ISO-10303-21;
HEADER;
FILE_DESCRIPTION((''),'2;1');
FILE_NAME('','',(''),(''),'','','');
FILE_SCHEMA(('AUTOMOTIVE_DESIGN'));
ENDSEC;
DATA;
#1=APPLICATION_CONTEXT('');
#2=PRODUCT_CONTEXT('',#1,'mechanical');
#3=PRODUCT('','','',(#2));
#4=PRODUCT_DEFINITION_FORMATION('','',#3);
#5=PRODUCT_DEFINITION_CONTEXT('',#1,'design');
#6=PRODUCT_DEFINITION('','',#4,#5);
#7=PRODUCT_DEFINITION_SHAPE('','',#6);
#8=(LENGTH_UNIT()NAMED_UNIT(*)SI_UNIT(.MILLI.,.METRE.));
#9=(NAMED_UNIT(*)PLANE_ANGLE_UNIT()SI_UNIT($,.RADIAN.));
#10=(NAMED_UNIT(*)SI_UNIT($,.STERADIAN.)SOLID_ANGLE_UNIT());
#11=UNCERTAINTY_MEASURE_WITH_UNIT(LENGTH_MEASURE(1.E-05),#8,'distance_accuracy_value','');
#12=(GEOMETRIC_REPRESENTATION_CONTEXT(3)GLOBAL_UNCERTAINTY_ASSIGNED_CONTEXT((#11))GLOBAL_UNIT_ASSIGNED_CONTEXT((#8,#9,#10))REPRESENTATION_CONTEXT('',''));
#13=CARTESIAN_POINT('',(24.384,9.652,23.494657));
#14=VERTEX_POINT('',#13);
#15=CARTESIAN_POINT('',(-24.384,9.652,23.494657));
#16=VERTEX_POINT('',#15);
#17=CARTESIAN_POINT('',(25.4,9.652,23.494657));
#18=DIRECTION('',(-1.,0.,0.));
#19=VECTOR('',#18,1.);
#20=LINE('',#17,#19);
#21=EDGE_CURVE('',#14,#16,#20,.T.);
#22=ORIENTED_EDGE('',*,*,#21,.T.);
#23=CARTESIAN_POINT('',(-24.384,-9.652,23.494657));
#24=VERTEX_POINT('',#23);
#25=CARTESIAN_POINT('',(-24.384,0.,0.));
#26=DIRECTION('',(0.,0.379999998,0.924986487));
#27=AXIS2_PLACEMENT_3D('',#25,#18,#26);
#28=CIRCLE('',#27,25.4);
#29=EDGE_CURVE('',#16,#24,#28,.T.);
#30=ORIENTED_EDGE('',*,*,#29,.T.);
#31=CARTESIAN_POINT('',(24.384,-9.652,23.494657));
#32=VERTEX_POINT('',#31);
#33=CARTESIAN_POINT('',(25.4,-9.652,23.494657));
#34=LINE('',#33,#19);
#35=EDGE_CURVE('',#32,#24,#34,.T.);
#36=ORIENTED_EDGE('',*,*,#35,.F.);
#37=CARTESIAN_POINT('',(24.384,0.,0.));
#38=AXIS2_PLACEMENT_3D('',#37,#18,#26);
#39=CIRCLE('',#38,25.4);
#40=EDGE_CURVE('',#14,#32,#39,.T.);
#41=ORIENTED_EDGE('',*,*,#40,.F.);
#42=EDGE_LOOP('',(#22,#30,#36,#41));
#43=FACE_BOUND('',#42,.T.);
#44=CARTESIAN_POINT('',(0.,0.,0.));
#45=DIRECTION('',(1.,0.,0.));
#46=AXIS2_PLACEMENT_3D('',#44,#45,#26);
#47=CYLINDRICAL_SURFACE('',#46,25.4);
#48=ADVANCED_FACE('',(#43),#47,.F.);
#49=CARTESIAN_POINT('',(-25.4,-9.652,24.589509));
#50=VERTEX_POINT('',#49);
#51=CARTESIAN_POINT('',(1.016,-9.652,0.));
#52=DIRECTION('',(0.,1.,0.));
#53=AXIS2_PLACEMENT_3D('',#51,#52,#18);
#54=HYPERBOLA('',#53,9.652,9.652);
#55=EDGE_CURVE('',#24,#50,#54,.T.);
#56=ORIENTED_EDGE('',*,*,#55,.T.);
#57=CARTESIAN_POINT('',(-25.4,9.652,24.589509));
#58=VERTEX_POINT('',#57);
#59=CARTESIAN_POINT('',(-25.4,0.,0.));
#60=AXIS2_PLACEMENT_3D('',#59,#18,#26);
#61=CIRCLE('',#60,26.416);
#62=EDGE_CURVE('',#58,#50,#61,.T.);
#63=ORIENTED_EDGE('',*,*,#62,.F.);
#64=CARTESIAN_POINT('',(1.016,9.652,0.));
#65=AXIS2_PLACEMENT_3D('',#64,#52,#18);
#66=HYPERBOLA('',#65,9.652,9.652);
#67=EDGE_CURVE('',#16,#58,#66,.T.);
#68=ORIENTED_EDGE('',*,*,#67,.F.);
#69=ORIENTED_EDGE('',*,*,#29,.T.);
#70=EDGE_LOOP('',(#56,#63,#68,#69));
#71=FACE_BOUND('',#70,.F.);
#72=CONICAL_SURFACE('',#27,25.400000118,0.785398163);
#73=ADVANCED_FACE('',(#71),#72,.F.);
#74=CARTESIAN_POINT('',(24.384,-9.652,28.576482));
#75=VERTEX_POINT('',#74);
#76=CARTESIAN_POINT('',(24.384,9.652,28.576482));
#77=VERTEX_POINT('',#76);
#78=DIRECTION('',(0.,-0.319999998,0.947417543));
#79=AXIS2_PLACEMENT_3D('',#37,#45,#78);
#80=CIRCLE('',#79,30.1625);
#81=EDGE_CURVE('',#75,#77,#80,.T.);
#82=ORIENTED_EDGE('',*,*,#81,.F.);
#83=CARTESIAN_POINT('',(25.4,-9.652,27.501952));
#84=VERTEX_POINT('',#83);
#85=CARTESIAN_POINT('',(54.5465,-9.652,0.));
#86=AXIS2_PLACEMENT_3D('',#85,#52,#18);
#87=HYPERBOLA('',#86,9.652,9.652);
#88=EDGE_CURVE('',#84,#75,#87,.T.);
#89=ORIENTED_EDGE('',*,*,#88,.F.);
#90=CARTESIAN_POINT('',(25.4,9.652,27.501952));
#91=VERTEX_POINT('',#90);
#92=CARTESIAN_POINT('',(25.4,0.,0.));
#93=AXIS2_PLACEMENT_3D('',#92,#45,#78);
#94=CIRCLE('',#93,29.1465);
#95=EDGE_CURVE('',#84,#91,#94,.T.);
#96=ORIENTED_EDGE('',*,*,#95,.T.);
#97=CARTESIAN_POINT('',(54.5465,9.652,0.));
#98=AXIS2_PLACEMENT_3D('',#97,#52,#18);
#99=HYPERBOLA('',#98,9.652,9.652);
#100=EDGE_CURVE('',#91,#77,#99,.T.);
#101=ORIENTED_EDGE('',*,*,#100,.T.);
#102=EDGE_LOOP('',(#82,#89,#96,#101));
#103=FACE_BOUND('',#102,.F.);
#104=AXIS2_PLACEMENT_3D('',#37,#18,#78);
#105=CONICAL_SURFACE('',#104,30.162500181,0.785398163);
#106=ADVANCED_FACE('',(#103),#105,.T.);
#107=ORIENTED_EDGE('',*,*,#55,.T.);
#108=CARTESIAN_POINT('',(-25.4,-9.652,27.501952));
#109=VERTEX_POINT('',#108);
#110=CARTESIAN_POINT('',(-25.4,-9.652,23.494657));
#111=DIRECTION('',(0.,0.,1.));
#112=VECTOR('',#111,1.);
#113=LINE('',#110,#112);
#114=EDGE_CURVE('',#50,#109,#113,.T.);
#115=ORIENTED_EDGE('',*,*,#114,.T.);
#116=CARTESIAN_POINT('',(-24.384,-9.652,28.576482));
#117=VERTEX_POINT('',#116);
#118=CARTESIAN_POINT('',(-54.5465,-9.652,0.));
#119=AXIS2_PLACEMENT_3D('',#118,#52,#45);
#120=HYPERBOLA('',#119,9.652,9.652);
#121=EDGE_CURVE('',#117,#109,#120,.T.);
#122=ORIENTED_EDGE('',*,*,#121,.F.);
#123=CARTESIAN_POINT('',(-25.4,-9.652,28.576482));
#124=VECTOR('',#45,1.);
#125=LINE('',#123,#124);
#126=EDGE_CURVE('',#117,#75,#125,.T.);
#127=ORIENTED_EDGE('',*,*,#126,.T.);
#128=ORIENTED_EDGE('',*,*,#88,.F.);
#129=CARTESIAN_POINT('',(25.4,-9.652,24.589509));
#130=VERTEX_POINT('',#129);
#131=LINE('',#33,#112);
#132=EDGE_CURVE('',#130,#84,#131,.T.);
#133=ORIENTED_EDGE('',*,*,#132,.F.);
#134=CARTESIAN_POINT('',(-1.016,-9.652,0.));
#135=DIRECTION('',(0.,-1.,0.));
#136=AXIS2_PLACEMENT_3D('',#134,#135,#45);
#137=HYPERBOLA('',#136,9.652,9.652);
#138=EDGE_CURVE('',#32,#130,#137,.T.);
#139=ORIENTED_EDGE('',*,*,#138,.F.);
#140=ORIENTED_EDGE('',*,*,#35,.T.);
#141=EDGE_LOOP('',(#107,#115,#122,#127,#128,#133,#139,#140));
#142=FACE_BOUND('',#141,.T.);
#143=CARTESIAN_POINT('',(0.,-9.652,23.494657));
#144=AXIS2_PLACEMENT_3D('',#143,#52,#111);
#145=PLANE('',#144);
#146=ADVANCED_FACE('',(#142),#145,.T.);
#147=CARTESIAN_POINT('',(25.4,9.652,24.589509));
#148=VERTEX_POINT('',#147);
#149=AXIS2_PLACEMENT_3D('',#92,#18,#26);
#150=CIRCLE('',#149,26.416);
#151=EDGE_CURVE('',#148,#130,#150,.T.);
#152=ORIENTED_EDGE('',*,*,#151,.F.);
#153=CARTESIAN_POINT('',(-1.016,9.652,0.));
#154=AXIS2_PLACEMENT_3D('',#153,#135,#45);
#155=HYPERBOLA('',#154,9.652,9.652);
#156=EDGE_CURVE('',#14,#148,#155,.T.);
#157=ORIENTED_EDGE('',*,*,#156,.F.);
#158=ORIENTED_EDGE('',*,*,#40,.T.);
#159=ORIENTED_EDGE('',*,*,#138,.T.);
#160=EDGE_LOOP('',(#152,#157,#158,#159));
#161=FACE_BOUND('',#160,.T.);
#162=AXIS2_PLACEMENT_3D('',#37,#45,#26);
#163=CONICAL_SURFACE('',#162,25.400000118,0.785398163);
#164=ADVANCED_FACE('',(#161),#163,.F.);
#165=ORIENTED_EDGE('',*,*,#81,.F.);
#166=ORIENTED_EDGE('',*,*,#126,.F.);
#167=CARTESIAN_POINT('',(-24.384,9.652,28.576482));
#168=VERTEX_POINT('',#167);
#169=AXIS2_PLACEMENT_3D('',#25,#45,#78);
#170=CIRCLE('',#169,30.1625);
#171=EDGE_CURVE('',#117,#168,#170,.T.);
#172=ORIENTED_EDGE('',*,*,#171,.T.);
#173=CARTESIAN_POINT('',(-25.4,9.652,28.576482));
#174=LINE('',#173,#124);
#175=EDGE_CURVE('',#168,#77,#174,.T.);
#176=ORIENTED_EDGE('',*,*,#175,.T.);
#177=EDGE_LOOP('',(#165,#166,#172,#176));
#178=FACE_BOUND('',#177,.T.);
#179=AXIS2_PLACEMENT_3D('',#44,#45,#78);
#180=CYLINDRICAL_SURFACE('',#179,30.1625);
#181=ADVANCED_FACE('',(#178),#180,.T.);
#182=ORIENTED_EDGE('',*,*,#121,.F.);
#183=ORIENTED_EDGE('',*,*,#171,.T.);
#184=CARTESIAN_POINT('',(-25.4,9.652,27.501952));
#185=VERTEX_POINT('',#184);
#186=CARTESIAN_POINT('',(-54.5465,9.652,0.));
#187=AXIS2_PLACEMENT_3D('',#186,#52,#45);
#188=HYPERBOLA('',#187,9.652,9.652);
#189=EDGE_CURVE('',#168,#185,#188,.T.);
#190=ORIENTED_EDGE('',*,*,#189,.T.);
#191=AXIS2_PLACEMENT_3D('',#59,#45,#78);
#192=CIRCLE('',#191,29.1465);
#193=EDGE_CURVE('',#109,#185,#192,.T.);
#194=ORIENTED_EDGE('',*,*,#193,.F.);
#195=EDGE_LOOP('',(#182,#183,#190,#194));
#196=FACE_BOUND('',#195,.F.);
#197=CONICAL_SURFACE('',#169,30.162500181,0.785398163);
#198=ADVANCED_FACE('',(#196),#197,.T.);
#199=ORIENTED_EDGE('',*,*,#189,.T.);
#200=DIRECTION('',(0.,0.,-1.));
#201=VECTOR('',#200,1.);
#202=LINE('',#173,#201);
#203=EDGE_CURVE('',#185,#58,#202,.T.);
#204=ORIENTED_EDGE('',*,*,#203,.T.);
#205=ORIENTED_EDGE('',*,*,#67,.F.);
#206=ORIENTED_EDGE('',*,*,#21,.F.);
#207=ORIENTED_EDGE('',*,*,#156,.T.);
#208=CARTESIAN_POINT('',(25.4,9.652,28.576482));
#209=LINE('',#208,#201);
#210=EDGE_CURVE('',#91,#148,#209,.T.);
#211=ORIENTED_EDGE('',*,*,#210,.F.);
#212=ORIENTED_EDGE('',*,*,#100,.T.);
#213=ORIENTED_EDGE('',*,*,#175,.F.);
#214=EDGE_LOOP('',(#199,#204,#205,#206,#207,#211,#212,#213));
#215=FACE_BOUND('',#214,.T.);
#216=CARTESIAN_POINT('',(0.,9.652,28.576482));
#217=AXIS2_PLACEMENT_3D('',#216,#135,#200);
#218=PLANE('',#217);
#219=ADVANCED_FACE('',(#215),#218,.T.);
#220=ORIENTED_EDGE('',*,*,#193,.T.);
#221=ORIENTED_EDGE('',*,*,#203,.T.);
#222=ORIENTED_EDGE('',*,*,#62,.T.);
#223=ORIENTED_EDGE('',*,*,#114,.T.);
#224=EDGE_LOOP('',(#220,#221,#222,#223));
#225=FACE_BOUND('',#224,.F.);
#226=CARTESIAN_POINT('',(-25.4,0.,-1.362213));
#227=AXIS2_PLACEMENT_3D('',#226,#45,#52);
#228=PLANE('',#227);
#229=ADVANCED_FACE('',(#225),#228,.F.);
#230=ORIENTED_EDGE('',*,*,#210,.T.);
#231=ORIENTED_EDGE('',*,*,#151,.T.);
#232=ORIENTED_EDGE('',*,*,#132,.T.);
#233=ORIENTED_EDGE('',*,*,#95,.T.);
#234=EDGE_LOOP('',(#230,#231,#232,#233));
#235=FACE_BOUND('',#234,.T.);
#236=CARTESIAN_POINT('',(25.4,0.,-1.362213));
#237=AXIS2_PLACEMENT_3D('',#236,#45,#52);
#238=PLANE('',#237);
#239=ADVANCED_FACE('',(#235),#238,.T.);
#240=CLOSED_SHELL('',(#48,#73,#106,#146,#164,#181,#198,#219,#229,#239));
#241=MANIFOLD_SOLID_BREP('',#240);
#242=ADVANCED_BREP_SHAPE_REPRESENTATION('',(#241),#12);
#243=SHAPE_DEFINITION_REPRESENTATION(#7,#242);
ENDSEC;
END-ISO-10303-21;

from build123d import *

# Parameters (mm, degrees)
F1_DEPTH = 25.4
F2_SIZE  = 1.016


with BuildPart() as f1:
    # F0 (on Right) → F1 (new body, symmetric)
    with BuildSketch(Plane.YZ):
        with BuildLine():
            Line((-9.652, 23.494657), (-9.652, 28.576482))
            ThreePointArc((-9.652, 28.576482), (0, -30.1625), (9.652, 28.576482))
            Line((9.652, 28.576482), (9.652, 23.494657))
            ThreePointArc((9.652, 23.494657), (0, -25.4), (-9.652, 23.494657))
        make_face()
    extrude(amount=F1_DEPTH, both=True)

    # F2
    f2_edges = [f1.edges().sort_by_distance(p)[0] for p in [
        (25.4, 0, -30.1625),
        (25.4, 0, -25.4),
        (-25.4, 0, -30.1625),
        (-25.4, 0, -25.4),
    ]]
    chamfer(f2_edges, length=F2_SIZE)


solid = f1.part
